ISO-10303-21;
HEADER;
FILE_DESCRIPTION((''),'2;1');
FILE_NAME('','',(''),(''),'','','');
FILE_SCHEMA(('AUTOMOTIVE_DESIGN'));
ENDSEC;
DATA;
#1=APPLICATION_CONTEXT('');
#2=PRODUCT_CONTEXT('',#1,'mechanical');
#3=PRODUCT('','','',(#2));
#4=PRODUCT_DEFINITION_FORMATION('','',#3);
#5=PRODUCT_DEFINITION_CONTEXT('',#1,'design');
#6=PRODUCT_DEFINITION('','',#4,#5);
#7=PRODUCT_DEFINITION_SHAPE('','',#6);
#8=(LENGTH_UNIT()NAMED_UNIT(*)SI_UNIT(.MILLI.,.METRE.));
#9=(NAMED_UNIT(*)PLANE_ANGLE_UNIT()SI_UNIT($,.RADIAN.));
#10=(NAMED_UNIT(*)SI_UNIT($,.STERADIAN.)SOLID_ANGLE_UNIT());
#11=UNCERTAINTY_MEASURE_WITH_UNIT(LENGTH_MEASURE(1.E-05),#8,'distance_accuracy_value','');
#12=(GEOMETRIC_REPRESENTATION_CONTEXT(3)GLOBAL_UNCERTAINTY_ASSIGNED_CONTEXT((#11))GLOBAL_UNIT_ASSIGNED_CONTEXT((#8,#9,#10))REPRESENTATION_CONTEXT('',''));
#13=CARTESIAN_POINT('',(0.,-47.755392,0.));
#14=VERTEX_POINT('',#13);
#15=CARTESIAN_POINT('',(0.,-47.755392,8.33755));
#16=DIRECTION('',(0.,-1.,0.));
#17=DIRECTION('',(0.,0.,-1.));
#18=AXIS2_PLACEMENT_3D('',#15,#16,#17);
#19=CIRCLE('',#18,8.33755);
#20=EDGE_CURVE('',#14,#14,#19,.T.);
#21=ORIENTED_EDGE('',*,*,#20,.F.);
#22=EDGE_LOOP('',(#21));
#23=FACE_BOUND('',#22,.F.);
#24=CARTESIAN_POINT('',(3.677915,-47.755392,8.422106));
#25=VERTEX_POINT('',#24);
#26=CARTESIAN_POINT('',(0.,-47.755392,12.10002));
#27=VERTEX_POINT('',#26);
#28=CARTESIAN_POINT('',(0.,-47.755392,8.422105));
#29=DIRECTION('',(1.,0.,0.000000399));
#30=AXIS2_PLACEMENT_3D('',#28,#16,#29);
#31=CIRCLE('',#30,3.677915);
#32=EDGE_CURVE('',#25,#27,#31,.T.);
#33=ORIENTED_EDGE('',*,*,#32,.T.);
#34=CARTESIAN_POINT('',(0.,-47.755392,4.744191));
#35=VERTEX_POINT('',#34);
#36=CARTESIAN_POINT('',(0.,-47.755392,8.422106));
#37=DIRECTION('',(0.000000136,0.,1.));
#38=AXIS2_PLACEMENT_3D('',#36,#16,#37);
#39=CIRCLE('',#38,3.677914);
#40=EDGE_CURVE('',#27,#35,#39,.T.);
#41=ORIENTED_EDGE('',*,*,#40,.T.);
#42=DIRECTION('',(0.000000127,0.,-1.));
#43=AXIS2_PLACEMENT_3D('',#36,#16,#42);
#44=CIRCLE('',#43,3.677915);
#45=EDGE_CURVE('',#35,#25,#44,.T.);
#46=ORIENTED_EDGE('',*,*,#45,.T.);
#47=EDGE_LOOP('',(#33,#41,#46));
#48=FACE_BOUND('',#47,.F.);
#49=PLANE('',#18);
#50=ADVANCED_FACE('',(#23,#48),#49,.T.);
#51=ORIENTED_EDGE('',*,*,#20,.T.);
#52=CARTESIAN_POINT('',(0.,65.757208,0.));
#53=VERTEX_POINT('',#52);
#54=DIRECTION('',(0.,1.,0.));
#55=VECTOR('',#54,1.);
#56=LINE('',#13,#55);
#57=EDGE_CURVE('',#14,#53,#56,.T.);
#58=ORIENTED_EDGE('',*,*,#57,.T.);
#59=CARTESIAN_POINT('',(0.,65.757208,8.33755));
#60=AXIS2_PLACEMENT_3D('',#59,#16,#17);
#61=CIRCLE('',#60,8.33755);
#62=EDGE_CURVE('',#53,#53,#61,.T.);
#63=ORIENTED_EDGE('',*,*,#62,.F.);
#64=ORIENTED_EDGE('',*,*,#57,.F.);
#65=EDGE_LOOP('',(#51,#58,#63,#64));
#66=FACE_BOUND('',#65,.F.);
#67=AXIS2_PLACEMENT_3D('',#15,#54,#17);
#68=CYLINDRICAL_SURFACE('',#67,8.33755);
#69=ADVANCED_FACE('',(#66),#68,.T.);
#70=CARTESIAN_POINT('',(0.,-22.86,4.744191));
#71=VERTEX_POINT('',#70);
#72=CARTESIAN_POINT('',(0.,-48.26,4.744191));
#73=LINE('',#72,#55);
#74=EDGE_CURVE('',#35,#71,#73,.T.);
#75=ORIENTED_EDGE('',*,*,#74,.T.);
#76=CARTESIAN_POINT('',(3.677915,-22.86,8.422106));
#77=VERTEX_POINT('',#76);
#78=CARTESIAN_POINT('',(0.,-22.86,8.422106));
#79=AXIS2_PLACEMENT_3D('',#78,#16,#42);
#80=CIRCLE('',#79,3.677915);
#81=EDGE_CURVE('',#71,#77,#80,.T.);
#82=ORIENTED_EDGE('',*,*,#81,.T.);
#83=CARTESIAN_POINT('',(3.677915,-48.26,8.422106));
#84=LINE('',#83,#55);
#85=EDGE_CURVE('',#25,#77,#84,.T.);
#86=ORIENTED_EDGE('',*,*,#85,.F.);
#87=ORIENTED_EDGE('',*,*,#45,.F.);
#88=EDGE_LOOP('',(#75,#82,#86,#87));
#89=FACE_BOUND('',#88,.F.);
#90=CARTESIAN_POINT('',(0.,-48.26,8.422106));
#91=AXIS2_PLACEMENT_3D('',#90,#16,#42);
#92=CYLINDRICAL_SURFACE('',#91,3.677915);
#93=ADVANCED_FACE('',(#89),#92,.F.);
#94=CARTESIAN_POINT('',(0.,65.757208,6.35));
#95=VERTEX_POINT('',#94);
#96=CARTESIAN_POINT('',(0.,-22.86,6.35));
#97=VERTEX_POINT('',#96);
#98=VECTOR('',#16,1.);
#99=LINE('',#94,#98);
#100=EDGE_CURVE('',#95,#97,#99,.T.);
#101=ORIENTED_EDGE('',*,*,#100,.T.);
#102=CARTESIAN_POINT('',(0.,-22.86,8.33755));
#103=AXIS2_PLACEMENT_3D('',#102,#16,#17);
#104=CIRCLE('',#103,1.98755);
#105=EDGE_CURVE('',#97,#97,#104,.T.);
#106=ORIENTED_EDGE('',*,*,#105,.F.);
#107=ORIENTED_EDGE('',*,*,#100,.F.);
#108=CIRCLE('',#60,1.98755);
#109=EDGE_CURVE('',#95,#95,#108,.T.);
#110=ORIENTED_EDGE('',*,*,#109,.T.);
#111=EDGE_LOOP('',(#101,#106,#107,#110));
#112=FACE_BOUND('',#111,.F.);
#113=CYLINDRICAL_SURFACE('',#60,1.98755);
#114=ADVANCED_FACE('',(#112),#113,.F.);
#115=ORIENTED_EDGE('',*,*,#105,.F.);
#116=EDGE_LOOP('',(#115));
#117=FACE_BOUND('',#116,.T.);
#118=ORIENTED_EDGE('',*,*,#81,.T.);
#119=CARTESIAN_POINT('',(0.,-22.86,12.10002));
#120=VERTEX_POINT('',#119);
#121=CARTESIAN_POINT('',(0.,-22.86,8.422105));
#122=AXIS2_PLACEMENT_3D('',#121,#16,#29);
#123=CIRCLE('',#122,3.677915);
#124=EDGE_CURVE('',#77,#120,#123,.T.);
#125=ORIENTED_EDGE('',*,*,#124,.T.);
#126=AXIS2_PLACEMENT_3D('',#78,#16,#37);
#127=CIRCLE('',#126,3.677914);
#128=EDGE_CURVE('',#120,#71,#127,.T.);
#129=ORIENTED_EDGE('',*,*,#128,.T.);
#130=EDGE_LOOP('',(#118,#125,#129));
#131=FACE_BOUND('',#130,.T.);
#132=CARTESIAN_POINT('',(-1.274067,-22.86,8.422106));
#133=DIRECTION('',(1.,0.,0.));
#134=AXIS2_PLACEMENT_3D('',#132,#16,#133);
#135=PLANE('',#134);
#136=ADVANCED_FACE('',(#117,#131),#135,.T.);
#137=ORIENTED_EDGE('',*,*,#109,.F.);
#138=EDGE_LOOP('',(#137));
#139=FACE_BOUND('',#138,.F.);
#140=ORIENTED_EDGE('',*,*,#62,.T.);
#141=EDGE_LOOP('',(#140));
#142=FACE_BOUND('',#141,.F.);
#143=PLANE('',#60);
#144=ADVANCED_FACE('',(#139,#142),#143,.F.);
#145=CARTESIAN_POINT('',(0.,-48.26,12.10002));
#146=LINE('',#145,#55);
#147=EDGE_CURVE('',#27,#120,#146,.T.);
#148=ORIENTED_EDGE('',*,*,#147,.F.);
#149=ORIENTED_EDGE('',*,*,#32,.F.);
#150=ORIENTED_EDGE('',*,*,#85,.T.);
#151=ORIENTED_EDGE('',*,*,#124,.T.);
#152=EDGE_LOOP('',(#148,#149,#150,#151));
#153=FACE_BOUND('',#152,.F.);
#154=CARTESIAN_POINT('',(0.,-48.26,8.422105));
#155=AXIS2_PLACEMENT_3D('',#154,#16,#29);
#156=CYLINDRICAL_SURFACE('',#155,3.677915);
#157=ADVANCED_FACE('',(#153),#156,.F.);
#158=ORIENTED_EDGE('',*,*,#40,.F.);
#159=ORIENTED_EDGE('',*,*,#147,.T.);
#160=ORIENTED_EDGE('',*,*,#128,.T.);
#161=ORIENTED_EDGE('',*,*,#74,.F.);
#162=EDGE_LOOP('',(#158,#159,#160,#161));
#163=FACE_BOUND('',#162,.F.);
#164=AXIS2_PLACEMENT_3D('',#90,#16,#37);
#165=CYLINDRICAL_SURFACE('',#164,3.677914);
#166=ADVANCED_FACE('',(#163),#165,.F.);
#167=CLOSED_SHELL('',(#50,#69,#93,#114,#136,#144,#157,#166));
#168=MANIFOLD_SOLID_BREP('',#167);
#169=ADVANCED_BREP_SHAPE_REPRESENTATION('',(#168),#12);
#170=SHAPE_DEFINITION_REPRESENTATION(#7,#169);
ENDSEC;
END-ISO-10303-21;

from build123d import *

# Parameters (mm, degrees)
F4_DEPTH = 25.4


with BuildPart() as f1:
    # F0 (on Right) → F1 (revolve)
    with BuildSketch(Plane.YZ):
        Polygon((-47.755392, 8.33755), (-47.755392, 0), (65.757208, 0), (65.757208, 6.35), (-43.792992, 6.35), (-43.792992, 8.33755), align=None)
    revolve(axis=Axis((0, -45.774192, 8.33755), (0, -1, 0)))

    # F3 (on offset) → F4 (cut)
    with BuildSketch(Plane.XZ.offset(48.26)):
        with BuildLine():
            ThreePointArc((0, 12.10002), (-3.677915, 8.422106), (0, 4.744191))
            Line((0, 4.744191), (0, 8.422106))
            Line((0, 8.422106), (0, 12.10002))
        make_face()
        with BuildLine():
            Line((0, 8.422106), (0, 4.744191))
            ThreePointArc((0, 4.744191), (2.600678, 5.821427), (3.677915, 8.422106))
            ThreePointArc((3.677915, 8.422106), (2.600678, 11.022784), (0, 12.10002))
            Line((0, 12.10002), (0, 8.422106))
        make_face()
    extrude(amount=-F4_DEPTH, mode=Mode.SUBTRACT)


solid = f1.part
